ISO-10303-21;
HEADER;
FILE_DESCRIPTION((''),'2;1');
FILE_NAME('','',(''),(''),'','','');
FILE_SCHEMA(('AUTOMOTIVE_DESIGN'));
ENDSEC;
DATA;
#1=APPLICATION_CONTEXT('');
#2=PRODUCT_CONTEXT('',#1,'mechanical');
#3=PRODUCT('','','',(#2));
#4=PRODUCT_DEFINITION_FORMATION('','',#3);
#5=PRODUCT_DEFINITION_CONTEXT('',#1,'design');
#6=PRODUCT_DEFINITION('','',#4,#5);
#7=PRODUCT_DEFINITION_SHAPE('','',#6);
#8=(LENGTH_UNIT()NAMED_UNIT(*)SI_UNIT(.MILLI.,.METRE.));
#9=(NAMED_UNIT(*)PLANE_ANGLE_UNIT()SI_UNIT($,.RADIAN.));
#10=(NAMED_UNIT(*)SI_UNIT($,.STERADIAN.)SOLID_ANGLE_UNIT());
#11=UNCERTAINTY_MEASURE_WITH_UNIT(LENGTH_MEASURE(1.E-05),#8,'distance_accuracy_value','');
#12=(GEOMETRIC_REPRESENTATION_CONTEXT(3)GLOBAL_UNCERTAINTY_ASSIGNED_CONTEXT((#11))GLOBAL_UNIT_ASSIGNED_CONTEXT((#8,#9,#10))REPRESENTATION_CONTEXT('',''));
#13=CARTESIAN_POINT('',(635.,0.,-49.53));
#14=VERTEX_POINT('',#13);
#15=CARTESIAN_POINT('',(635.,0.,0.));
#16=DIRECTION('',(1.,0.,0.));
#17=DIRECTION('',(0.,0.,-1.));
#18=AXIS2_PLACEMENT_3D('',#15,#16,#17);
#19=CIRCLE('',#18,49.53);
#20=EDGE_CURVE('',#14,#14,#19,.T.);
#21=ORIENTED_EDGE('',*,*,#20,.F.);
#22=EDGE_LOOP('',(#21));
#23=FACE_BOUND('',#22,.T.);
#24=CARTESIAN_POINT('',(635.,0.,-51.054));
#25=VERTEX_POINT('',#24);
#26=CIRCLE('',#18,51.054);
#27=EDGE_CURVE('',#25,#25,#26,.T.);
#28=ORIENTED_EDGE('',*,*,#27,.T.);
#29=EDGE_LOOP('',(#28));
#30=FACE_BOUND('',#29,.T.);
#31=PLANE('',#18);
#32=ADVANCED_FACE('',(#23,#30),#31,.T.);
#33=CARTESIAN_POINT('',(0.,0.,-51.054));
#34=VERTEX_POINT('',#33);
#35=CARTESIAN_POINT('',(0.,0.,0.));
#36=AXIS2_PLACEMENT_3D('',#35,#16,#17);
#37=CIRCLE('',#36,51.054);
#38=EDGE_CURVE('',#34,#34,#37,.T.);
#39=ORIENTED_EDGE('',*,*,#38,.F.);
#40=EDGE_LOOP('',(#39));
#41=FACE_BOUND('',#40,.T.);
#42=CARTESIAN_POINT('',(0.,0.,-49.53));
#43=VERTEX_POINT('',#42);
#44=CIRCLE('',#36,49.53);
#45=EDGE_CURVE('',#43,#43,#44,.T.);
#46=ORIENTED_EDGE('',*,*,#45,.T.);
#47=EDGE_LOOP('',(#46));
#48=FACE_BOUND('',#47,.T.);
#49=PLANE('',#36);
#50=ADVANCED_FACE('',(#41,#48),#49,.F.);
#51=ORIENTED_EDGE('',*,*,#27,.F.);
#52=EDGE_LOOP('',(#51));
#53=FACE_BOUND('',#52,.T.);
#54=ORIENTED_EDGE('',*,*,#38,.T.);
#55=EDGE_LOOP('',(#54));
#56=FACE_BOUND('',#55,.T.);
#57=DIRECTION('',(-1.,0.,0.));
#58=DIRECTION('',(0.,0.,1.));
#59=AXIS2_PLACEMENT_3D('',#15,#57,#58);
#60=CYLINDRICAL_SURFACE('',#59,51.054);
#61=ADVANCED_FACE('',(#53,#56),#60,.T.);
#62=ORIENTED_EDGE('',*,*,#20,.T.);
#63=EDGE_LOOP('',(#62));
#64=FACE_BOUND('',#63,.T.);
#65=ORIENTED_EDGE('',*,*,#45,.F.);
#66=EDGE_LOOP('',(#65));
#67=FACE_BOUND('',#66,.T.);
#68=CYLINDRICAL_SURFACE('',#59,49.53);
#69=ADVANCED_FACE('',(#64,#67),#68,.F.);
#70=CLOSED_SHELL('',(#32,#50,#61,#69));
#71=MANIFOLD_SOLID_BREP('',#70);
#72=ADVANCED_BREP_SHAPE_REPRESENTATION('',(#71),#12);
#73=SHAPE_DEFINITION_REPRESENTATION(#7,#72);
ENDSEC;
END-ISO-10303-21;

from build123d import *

# Parameters (mm, degrees)
SKETCH1_R           = 51.054
SKETCH1_R_2         = 49.53
BOSS_EXTRUDE1_DEPTH = 635


with BuildPart() as part:
    # Sketch1 → Boss-Extrude1 (new body)
    with BuildSketch(Plane.YZ):
        Circle(SKETCH1_R)
        Circle(SKETCH1_R_2, mode=Mode.SUBTRACT)
    extrude(amount=BOSS_EXTRUDE1_DEPTH)


solid = part.part
